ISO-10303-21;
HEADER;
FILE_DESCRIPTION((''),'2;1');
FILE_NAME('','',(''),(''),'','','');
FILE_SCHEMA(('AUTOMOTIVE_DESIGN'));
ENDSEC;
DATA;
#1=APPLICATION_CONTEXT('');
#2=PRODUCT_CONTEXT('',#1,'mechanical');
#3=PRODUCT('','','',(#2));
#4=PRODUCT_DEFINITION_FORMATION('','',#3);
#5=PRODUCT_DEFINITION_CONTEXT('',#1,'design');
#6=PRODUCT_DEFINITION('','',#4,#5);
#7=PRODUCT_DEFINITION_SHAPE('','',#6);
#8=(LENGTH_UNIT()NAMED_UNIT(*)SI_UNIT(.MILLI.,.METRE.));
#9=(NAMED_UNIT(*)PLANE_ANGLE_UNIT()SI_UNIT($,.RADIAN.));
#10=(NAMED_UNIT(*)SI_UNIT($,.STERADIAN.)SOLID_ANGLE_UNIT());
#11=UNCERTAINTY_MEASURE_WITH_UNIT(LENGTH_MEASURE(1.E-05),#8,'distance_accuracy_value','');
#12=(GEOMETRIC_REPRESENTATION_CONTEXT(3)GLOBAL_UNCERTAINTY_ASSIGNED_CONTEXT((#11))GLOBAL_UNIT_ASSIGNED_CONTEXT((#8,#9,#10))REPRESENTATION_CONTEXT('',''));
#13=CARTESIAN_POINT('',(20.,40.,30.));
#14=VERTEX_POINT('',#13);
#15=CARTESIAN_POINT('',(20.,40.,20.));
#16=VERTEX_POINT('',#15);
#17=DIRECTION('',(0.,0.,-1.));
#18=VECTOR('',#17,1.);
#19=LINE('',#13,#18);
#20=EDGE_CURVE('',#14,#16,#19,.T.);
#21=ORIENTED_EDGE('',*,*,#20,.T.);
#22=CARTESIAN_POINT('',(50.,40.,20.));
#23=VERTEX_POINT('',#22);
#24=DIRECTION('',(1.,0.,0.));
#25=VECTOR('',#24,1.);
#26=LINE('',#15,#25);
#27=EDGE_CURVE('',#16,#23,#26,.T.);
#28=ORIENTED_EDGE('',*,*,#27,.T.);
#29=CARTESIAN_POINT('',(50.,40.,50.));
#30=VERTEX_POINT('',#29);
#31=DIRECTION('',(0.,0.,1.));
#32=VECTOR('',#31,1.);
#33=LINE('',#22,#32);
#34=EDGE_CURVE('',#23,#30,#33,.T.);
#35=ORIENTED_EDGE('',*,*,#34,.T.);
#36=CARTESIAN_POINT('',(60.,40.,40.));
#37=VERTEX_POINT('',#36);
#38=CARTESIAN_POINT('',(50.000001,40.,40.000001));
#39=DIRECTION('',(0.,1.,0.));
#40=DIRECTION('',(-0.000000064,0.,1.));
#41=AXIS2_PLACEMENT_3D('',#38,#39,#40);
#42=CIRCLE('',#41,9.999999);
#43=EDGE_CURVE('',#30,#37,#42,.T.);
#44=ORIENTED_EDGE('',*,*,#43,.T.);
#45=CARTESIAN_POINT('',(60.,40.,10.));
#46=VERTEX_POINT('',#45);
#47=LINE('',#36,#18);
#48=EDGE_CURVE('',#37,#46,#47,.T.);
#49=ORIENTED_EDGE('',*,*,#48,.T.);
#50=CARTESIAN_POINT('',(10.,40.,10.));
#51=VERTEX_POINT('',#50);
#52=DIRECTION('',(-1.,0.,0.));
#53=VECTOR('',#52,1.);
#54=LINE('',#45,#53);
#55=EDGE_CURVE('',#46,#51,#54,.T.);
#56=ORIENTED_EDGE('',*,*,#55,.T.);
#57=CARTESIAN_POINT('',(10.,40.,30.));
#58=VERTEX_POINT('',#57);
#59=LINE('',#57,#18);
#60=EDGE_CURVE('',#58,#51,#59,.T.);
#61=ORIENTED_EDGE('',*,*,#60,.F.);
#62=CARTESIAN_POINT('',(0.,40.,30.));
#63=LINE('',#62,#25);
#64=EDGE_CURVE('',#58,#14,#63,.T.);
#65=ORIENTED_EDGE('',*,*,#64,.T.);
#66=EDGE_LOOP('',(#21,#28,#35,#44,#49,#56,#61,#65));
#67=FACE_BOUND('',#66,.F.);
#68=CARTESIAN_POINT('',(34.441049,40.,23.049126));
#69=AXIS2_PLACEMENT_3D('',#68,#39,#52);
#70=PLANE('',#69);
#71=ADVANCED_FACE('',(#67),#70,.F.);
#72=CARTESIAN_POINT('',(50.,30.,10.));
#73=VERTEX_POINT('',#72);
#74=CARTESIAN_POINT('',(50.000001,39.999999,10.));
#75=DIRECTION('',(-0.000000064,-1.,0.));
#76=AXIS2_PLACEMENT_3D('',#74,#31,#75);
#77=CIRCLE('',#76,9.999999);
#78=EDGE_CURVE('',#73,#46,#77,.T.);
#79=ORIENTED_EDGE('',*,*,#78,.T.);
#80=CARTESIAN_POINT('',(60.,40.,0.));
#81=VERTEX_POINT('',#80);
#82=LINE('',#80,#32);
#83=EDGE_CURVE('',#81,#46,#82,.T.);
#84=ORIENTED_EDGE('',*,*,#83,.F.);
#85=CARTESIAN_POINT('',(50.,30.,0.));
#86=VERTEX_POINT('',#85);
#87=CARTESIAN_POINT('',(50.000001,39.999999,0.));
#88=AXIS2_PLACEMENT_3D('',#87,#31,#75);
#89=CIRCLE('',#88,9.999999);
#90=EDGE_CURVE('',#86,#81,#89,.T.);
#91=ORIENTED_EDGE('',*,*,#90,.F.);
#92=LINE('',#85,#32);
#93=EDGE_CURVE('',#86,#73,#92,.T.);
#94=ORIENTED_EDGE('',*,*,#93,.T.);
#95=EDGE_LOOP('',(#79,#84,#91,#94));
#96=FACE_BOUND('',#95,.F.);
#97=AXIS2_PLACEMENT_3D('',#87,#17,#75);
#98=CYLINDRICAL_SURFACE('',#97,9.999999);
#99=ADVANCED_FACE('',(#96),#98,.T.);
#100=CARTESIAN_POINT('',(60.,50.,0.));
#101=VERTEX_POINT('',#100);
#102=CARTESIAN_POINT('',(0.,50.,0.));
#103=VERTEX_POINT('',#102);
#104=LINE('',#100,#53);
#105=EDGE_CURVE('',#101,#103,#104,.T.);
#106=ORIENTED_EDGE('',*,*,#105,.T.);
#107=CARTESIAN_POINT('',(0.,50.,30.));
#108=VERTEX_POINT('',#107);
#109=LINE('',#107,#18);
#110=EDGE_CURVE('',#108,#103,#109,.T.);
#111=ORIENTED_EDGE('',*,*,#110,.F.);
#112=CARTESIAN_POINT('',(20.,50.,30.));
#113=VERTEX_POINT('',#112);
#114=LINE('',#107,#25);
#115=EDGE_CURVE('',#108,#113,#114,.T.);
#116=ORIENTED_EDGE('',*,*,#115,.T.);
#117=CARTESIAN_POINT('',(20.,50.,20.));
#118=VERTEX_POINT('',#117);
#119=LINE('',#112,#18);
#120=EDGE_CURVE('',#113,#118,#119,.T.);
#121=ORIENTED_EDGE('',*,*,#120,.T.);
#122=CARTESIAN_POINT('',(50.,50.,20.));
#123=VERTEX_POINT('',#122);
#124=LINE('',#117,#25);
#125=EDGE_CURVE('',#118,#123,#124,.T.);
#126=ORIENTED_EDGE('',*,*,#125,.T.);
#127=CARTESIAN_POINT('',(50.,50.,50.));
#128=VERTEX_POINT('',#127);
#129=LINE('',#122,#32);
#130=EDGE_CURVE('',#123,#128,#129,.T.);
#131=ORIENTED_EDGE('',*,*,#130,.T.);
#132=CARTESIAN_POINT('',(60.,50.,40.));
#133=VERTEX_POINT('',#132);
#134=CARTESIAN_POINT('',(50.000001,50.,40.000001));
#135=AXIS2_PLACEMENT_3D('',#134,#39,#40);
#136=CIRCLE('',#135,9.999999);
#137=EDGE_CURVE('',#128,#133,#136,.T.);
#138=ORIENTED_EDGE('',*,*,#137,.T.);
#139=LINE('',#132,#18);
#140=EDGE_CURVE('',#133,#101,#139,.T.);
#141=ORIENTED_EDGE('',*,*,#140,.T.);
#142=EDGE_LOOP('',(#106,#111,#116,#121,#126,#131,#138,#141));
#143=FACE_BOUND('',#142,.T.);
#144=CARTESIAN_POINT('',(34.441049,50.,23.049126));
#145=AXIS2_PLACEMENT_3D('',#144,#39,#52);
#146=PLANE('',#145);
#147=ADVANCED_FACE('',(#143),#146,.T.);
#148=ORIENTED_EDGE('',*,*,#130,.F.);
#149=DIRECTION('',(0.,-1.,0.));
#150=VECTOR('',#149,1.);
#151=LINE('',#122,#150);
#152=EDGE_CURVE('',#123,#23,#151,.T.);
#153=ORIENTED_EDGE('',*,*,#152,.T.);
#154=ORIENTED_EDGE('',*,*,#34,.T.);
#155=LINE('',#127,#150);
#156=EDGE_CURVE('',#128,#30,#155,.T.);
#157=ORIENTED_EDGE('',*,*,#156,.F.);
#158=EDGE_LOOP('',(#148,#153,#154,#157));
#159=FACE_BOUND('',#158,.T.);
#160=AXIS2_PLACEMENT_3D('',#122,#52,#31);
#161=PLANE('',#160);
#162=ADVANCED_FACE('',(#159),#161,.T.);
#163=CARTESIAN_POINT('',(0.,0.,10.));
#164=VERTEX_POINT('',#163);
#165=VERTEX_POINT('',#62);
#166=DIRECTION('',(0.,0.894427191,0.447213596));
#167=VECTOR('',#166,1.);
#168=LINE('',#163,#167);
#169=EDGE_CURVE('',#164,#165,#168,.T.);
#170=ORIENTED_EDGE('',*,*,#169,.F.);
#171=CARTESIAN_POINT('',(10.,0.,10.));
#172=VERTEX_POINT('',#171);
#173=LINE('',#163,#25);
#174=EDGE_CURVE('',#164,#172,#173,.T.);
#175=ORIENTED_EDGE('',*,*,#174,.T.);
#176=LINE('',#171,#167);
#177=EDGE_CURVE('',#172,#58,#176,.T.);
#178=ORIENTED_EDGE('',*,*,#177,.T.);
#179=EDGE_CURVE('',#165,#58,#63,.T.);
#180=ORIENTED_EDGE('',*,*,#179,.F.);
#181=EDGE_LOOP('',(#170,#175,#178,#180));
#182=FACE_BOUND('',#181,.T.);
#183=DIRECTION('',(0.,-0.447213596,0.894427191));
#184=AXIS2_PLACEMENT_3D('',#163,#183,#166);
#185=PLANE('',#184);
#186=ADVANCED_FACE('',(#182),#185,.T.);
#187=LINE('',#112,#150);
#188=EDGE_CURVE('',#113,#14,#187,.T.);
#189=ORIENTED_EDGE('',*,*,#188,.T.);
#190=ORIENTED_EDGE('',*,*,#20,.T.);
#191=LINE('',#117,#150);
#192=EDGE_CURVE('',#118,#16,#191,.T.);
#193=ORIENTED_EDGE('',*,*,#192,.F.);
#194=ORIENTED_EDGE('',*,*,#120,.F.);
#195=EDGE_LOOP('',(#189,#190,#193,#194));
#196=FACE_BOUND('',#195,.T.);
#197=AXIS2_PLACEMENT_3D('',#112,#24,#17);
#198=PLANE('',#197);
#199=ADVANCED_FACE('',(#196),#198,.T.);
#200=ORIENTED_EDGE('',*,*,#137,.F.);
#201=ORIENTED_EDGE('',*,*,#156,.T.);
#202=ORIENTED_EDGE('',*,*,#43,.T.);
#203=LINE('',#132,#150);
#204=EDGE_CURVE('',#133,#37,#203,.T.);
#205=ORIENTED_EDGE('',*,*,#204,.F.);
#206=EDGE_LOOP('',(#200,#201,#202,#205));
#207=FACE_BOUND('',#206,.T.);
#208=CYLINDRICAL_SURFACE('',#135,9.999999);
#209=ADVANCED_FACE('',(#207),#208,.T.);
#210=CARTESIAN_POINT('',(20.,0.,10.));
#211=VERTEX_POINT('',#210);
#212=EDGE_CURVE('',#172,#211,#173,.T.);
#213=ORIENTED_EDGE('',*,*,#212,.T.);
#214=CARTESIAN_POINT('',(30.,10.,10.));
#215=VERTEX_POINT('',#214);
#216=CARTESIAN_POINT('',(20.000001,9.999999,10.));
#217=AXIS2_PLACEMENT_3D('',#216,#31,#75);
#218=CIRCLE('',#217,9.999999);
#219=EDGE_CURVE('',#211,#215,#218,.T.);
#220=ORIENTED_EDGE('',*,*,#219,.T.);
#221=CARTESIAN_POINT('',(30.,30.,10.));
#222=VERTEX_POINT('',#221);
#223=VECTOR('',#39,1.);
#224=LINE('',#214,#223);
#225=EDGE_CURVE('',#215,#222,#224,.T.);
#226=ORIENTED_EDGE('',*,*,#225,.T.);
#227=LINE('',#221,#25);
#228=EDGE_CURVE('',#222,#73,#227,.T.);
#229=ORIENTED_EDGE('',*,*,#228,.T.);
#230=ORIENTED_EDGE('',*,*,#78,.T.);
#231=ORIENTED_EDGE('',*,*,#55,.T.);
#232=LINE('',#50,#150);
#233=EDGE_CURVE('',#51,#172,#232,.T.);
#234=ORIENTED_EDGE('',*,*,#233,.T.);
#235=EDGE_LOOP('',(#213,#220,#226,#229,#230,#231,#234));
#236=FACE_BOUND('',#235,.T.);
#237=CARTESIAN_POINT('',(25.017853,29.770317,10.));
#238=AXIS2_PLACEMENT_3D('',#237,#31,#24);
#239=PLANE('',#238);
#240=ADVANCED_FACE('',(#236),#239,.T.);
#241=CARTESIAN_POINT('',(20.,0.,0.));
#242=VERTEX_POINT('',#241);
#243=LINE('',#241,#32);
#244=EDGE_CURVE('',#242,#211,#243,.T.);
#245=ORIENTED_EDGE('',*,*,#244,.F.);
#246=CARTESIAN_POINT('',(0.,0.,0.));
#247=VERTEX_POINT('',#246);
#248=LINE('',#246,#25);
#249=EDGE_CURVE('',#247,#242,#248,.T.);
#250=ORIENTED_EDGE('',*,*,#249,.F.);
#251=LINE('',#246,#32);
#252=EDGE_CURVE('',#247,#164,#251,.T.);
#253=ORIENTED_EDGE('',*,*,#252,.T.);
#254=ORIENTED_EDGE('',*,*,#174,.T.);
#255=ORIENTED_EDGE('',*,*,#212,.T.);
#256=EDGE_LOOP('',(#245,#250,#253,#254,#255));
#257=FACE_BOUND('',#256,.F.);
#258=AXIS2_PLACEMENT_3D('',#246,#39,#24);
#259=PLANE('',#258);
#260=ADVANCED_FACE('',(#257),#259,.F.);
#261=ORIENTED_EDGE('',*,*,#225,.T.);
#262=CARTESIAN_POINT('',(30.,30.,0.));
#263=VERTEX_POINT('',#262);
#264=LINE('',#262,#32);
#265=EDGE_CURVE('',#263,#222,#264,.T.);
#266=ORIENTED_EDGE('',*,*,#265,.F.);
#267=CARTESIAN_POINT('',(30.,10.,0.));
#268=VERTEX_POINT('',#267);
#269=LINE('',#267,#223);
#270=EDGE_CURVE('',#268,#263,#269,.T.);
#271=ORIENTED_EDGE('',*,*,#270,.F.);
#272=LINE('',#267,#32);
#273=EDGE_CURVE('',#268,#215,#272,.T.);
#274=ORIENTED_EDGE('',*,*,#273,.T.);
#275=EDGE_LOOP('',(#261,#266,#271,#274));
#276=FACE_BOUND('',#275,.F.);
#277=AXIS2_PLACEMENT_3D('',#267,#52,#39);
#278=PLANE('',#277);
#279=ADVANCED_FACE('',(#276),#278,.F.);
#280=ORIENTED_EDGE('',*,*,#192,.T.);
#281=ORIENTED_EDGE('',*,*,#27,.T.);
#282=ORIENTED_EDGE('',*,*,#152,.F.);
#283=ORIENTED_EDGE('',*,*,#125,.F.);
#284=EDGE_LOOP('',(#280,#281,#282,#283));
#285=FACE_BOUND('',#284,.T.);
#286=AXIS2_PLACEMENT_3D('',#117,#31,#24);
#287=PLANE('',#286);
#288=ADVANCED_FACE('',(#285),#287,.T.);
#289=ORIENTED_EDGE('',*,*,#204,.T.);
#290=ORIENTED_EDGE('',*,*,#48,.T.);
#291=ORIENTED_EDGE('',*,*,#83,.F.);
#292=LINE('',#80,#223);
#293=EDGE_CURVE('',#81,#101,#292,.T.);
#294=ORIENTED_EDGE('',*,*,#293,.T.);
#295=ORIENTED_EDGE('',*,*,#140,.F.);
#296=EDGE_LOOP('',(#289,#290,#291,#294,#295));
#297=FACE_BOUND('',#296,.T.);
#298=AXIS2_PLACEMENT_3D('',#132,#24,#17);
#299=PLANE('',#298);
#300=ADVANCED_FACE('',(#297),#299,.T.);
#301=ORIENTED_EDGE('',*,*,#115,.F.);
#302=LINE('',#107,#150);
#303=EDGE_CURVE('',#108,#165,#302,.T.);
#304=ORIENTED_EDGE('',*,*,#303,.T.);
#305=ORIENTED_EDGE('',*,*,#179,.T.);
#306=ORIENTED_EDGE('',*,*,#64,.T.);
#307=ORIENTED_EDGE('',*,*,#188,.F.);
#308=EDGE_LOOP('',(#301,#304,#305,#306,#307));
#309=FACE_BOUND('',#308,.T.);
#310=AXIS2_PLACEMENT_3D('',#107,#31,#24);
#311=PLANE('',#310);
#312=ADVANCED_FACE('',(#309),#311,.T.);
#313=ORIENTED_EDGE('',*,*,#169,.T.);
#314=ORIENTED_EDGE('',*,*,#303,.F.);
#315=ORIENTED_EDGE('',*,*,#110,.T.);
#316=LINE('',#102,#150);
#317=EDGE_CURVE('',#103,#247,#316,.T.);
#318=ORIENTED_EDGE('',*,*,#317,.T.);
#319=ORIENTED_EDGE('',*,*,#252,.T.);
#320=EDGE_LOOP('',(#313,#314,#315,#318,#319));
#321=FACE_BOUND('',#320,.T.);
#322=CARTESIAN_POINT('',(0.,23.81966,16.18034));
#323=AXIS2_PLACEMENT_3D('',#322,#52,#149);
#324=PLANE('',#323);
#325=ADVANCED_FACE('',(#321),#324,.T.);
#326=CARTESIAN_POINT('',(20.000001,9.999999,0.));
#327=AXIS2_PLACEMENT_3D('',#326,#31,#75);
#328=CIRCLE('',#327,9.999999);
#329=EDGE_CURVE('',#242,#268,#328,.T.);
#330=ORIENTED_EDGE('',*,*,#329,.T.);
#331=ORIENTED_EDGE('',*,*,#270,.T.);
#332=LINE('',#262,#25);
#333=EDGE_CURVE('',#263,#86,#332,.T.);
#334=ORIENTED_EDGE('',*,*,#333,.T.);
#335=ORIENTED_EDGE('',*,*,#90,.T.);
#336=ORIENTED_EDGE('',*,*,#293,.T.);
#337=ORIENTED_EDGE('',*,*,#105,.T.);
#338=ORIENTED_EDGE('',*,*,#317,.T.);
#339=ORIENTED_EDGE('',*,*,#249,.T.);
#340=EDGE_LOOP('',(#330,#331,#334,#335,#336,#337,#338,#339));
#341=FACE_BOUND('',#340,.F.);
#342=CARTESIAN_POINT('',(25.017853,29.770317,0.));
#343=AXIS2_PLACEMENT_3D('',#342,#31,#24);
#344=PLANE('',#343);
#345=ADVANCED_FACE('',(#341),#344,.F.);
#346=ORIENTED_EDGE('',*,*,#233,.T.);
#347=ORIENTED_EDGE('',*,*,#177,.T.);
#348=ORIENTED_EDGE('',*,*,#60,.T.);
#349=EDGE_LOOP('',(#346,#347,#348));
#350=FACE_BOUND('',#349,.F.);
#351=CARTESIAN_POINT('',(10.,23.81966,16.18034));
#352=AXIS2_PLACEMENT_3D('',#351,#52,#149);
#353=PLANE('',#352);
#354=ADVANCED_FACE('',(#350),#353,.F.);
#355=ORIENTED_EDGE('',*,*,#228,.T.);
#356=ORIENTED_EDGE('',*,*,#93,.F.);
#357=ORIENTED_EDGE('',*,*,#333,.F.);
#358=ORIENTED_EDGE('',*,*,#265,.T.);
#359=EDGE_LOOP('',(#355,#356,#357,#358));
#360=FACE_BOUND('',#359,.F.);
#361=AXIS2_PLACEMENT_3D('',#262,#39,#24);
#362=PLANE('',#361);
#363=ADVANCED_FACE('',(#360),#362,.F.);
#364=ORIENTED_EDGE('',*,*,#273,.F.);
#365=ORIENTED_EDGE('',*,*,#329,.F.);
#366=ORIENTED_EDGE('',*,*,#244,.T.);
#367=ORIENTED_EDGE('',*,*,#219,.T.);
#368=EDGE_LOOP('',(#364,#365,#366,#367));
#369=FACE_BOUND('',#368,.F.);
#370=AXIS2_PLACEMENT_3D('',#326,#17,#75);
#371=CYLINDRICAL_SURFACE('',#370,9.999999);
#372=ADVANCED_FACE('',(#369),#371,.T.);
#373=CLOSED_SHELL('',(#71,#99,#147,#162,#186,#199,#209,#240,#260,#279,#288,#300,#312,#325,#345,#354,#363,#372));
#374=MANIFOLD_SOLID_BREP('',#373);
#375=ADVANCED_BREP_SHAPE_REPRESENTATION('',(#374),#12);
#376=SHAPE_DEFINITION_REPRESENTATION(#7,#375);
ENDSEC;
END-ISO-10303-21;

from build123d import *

# Parameters (mm, degrees)
F1_DEPTH = 10
F3_DEPTH = 10
F5_DEPTH = 10


with BuildPart() as f1:
    # F0 (on Top) → F1 (new body)
    with BuildSketch(Plane.XY):
        with BuildLine():
            Line((0, 50), (0, 0))
            Line((0, 0), (20, 0))
            ThreePointArc((20, 0), (27.071068, 2.928932), (30, 10))
            Line((30, 10), (30, 30))
            Line((30, 30), (50, 30))
            ThreePointArc((50, 30), (57.071068, 32.928932), (60, 40))
            Line((60, 40), (60, 50))
            Line((60, 50), (0, 50))
        make_face()
    extrude(amount=F1_DEPTH)

    # F2 (on face) → F3 (join)
    with BuildSketch(Plane(origin=(0, 50, 0), x_dir=(-1, 0, 0), z_dir=(0, 1, 0))):
        with BuildLine():
            Line((-60, 10), (0, 10))
            Line((0, 10), (0, 30))
            Line((0, 30), (-20, 30))
            Line((-20, 30), (-20, 20))
            Line((-20, 20), (-50, 20))
            Line((-50, 20), (-50, 50))
            ThreePointArc((-50, 50), (-57.071068, 47.071068), (-60, 40))
            Line((-60, 40), (-60, 10))
        make_face()
    extrude(amount=-F3_DEPTH)

    # F4 (on face) → F5 (join)
    with BuildSketch(Plane(origin=(0, 0, 0), x_dir=(0, -1, 0), z_dir=(-1, 0, 0))):
        Polygon((0, 10), (-40, 30), (-40, 10), align=None)
    extrude(amount=-F5_DEPTH)


solid = f1.part
